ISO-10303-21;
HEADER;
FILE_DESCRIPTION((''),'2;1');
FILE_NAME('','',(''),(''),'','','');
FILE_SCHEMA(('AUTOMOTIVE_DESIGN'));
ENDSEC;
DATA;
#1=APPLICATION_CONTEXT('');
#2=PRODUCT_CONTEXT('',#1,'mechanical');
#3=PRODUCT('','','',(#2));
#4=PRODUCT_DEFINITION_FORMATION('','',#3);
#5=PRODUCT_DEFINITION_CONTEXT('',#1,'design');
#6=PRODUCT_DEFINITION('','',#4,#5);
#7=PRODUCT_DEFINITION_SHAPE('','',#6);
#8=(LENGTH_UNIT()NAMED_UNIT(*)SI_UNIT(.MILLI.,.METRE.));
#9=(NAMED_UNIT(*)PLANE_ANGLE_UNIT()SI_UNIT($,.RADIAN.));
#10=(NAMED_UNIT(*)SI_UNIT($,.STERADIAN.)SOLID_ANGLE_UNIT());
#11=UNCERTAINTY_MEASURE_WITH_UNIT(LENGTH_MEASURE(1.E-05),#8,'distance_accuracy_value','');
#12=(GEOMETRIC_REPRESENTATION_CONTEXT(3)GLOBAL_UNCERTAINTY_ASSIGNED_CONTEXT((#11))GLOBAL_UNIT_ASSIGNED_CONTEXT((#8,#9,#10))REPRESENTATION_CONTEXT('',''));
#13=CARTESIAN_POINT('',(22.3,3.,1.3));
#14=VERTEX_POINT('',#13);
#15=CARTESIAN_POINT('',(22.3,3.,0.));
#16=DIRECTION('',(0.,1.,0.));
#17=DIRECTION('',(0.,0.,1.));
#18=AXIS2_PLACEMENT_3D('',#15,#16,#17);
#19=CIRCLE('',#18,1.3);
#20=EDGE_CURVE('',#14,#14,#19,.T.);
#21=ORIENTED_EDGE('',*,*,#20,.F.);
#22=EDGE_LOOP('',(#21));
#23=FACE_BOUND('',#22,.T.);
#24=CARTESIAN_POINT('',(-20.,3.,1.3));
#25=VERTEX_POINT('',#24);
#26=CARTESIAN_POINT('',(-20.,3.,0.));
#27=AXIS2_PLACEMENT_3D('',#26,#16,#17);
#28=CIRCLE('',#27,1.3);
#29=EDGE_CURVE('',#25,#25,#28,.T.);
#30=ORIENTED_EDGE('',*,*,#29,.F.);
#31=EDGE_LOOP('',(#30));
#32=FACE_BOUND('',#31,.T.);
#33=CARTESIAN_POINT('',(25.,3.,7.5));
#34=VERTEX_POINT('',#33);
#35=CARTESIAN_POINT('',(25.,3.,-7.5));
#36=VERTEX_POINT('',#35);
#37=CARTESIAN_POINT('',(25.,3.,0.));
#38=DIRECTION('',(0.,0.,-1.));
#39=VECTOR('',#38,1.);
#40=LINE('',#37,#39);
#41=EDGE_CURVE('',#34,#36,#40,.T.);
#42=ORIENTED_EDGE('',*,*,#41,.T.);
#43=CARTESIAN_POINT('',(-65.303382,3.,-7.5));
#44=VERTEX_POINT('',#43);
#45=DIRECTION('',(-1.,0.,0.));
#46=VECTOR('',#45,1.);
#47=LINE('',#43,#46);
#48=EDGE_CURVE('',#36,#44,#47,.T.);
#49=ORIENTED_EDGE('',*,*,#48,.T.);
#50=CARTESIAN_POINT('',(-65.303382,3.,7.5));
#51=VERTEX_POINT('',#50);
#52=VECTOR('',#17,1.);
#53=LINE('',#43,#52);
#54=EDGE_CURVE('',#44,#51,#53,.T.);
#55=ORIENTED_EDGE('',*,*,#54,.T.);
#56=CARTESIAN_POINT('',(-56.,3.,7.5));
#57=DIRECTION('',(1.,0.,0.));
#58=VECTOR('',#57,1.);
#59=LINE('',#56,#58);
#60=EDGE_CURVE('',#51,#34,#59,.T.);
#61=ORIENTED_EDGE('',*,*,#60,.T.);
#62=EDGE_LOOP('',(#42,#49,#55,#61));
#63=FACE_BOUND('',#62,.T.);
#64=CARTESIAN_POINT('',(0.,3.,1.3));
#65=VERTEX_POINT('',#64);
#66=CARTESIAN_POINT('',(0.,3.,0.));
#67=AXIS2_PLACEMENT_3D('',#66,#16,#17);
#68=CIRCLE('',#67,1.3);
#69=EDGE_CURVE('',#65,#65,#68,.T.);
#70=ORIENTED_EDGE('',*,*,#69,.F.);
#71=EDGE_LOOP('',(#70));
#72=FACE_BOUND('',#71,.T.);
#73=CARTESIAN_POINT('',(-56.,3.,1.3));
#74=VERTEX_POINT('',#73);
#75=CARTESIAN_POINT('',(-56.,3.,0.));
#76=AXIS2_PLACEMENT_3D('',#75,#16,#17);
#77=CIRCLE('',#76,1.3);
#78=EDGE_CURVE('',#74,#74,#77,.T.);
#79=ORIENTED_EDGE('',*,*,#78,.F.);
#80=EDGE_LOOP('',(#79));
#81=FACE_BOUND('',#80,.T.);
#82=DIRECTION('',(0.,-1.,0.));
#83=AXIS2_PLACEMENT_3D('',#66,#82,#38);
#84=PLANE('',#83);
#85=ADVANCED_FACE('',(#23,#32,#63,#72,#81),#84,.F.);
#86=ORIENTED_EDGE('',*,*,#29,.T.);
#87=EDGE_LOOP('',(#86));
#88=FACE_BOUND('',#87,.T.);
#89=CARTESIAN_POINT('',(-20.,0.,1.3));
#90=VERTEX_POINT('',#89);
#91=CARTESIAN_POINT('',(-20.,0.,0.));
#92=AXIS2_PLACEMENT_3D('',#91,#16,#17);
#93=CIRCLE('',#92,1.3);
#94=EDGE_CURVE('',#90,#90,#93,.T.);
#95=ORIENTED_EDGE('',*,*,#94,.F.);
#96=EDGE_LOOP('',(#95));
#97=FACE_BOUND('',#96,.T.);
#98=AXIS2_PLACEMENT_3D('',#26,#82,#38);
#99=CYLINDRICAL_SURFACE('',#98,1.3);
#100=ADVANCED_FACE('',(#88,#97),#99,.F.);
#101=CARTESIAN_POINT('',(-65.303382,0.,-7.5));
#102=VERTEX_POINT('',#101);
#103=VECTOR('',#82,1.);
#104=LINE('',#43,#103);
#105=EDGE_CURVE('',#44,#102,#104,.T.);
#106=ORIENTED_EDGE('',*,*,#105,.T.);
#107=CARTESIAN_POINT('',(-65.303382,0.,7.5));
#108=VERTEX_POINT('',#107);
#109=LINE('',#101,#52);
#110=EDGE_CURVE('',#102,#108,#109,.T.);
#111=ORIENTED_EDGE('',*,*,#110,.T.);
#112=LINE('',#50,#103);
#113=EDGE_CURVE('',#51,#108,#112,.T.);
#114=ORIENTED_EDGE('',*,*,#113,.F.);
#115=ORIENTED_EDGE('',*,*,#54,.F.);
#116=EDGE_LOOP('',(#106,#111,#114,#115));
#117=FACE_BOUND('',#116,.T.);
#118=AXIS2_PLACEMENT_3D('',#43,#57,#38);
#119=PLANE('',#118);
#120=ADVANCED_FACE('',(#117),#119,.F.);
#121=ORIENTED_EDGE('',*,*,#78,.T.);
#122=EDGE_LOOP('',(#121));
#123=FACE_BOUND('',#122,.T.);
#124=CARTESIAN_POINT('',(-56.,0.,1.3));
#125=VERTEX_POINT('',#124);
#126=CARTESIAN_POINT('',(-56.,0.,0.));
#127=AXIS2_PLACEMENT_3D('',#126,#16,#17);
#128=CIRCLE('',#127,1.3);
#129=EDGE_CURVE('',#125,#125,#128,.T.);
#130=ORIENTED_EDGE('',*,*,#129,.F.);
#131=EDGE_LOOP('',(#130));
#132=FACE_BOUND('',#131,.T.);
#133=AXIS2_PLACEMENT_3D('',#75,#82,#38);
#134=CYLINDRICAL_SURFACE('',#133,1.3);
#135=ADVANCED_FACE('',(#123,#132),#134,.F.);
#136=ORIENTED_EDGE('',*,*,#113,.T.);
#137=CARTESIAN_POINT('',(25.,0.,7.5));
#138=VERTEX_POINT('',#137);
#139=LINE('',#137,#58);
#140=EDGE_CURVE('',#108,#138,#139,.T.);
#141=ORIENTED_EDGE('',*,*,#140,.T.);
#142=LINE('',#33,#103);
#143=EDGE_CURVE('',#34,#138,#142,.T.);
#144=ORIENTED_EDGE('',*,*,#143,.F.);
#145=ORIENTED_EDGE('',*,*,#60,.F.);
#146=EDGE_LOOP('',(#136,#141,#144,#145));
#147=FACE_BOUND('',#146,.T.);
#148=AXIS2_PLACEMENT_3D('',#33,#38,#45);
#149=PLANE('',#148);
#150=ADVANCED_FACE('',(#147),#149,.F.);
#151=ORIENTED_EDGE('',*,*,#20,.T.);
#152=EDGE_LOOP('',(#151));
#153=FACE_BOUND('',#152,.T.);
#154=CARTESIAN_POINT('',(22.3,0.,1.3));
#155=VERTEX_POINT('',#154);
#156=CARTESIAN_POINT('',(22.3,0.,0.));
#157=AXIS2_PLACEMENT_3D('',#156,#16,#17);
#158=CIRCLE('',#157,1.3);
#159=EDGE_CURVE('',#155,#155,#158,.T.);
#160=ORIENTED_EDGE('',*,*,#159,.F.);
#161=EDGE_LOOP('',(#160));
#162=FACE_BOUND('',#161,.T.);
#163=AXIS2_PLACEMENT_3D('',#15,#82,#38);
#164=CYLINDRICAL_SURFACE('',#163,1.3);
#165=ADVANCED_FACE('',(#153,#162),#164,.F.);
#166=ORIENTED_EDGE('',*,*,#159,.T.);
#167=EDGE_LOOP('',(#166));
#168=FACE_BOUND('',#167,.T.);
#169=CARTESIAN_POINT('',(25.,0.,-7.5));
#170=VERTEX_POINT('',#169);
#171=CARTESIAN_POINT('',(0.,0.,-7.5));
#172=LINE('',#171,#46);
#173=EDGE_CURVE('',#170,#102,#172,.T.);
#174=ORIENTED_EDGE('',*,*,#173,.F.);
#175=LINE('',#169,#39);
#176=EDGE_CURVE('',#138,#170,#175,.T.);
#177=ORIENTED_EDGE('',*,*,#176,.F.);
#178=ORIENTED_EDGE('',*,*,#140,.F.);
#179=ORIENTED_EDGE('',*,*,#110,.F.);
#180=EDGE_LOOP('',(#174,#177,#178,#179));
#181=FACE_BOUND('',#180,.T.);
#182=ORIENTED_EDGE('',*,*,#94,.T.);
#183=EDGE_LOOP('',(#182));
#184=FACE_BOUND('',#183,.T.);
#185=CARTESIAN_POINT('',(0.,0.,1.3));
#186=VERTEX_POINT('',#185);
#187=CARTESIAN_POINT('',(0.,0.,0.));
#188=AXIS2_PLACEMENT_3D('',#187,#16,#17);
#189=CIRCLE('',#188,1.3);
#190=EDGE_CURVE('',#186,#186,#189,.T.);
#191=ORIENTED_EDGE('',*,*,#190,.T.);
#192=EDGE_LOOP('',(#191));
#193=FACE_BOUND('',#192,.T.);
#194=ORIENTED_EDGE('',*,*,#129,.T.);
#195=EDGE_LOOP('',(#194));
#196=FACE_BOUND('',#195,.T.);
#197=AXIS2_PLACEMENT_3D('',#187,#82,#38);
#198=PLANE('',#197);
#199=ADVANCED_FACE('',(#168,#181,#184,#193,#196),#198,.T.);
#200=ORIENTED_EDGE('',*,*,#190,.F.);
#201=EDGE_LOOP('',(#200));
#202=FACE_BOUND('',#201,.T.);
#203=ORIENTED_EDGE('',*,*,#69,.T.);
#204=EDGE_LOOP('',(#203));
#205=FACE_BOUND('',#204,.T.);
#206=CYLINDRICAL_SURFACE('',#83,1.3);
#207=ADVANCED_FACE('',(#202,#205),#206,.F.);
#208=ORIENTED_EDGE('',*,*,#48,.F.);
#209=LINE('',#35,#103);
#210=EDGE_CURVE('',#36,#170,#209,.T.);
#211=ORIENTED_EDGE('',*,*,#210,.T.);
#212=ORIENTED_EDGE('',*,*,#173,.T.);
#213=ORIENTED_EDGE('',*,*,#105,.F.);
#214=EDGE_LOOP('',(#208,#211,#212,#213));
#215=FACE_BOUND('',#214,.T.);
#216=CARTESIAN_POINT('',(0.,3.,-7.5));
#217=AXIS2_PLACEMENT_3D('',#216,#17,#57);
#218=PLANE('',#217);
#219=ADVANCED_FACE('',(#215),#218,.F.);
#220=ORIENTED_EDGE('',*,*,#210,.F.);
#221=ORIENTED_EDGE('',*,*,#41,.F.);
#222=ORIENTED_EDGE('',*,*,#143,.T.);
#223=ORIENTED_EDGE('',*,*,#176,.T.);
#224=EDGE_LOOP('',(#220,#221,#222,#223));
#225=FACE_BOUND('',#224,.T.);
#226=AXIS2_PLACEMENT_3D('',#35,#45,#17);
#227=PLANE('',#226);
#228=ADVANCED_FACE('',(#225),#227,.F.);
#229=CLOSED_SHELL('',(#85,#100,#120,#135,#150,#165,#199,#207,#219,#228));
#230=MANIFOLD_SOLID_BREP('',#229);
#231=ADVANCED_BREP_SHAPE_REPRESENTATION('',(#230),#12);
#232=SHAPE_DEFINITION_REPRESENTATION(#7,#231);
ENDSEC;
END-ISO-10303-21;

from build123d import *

# Parameters (mm, degrees)
SKETCH_1_R      = 1.3
EXTRUDE_1_DEPTH = 3


with BuildPart() as part:
    # 草图1 → 凸台-拉伸1 (new body)
    with BuildSketch(Plane(origin=(0, 0, 0), x_dir=(1, 0, 0), z_dir=(0, 1, 0))):
        Polygon((-65.303381521, 7.5), (-65.303381521, -7.5), (-56, -7.5), (-20, -7.5), (0, -7.5), (25, -7.5), (25, 0), (25, 7.5), (0, 7.5), align=None)
        with Locations((-56, 0)):
            Circle(SKETCH_1_R, mode=Mode.SUBTRACT)
        with Locations((-20, 0)):
            Circle(SKETCH_1_R, mode=Mode.SUBTRACT)
        Circle(SKETCH_1_R, mode=Mode.SUBTRACT)
        with Locations((22.3, 0)):
            Circle(SKETCH_1_R, mode=Mode.SUBTRACT)
    extrude(amount=EXTRUDE_1_DEPTH)


solid = part.part
